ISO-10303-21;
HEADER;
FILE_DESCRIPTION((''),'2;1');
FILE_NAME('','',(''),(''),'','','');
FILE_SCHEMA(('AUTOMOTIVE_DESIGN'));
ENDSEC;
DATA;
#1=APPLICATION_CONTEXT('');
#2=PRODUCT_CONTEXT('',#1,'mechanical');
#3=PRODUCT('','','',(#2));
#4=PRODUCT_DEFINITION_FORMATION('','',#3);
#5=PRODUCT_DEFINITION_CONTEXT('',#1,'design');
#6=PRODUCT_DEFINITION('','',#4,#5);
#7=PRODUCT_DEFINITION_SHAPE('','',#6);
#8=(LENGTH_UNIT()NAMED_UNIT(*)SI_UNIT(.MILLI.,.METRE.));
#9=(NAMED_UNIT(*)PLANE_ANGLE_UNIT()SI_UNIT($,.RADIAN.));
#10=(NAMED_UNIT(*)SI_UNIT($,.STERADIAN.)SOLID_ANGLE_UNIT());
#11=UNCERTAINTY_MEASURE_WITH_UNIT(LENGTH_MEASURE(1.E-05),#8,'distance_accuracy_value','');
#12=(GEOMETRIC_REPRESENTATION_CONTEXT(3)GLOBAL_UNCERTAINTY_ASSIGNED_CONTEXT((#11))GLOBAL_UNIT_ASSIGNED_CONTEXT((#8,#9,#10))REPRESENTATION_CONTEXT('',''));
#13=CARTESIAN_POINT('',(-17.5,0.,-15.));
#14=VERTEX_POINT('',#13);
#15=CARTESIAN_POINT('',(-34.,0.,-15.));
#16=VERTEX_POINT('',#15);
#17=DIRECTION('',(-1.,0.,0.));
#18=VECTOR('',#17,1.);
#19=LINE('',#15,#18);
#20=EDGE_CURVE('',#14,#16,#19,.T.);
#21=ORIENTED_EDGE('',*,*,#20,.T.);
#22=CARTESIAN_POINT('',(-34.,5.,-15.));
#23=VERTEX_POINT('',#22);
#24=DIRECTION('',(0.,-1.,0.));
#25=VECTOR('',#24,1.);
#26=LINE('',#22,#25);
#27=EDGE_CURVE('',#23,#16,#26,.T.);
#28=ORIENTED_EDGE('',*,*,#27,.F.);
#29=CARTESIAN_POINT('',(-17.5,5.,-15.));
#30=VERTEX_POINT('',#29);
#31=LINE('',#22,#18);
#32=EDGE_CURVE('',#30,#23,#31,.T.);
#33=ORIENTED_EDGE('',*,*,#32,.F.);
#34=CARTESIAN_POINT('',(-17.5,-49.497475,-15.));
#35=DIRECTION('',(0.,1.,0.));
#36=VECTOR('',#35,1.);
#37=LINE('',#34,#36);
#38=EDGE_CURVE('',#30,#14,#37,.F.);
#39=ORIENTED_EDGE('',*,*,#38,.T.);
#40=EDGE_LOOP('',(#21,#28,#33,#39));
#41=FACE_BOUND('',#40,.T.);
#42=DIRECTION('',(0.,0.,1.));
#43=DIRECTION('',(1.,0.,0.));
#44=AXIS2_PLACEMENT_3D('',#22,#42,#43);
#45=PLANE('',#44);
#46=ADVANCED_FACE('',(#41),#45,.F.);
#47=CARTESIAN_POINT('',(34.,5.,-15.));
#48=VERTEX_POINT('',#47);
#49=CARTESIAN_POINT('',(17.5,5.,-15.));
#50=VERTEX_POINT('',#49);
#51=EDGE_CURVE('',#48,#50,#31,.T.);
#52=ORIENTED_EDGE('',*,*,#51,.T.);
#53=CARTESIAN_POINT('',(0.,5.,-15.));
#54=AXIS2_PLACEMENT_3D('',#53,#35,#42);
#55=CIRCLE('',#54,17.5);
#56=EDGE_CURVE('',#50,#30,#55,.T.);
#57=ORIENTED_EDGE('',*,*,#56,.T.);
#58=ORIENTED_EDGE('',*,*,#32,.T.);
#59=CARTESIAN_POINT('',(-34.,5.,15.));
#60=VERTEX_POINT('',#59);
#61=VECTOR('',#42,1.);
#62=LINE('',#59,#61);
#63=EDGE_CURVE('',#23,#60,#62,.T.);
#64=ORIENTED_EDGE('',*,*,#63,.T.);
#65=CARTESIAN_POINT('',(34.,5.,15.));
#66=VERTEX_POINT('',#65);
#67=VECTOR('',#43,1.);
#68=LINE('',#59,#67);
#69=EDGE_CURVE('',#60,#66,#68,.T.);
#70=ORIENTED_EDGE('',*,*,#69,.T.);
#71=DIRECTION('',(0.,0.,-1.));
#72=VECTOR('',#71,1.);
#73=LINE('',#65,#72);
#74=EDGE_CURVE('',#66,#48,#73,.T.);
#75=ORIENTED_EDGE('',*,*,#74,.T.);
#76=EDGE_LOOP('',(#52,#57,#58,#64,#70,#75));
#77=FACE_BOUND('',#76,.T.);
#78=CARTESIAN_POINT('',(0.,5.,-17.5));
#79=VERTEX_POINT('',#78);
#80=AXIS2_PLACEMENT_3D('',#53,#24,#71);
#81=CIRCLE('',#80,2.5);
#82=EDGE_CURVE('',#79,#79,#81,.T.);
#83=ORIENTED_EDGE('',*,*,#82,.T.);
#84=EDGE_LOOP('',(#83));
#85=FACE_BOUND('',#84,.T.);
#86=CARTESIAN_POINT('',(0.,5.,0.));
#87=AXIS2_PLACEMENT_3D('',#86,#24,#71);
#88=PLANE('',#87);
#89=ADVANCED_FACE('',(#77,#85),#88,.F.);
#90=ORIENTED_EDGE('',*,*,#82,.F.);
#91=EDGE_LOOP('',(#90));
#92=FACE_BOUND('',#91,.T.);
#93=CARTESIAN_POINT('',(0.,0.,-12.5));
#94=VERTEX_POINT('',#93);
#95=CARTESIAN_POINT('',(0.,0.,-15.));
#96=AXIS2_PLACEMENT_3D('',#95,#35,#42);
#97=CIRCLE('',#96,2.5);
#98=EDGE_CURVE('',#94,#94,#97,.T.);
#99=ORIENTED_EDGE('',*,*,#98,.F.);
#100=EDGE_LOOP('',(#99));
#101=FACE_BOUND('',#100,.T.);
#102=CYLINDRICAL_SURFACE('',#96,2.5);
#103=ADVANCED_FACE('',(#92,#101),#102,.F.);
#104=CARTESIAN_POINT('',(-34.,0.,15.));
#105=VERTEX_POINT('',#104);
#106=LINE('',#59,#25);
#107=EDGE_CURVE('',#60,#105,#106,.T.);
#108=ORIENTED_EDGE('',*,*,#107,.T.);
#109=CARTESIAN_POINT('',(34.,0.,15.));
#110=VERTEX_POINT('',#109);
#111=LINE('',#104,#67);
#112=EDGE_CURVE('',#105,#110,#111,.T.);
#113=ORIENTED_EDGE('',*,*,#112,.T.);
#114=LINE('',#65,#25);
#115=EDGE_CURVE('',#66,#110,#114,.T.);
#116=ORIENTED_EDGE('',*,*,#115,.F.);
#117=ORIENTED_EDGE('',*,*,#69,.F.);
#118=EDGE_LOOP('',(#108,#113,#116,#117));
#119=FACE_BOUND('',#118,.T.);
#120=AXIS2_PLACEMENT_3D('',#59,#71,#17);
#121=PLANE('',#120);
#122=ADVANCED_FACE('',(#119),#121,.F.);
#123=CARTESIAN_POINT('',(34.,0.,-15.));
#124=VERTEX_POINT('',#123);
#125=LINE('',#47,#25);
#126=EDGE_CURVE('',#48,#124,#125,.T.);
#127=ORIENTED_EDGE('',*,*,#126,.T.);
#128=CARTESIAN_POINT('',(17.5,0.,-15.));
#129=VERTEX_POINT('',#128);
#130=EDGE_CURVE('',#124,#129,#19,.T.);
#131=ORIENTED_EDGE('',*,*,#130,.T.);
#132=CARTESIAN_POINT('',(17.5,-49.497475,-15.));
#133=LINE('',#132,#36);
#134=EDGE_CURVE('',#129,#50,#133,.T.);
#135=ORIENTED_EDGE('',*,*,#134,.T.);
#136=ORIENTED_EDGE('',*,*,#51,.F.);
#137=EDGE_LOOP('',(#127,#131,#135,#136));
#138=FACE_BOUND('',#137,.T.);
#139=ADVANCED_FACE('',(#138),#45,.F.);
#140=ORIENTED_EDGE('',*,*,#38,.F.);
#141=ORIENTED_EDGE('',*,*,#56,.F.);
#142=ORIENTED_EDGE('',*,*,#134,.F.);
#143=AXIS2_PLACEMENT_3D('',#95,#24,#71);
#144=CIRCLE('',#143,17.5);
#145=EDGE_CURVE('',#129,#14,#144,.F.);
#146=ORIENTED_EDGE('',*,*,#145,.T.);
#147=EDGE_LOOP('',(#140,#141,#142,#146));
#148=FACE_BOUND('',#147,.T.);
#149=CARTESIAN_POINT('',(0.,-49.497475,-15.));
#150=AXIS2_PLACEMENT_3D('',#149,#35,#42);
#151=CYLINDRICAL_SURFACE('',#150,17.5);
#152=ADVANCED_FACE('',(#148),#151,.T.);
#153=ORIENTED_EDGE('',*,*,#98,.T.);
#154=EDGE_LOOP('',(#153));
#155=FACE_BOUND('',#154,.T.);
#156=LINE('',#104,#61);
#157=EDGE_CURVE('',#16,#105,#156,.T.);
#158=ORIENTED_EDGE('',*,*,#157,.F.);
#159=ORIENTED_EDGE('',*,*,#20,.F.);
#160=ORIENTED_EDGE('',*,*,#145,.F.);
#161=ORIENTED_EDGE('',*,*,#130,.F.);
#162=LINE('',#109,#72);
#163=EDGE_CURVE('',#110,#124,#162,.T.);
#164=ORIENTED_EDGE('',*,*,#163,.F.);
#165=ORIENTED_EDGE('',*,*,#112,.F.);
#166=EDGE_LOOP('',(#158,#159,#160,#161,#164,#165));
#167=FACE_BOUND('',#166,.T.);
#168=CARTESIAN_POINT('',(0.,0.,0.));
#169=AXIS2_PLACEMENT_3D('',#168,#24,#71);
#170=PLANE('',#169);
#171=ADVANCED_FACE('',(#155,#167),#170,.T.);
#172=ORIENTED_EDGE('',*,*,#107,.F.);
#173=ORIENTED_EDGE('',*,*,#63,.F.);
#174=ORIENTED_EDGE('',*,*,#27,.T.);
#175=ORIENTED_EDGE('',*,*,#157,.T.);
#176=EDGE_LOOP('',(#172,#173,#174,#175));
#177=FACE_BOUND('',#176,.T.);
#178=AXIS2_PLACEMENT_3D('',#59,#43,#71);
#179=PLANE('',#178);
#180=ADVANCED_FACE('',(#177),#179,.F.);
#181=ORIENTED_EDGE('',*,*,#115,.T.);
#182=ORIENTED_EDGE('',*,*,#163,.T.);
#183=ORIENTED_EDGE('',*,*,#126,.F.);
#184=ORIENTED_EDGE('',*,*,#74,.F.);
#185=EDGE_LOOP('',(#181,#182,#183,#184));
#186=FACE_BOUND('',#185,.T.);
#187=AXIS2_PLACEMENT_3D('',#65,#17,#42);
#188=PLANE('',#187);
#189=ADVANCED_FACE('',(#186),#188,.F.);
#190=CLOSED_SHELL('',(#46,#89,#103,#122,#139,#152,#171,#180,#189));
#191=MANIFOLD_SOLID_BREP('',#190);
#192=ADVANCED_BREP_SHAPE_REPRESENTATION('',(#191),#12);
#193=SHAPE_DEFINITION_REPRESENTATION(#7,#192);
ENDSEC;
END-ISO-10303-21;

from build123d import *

# Parameters (mm, degrees)
SKETCH1_W               = 68
SKETCH1_H               = 30
BOSS_EXTRUDE1_DEPTH     = 5
SKETCH2_R               = 17.5
BOSS_EXTRUDE2_DEPTH     = 5
SKETCH3_R               = 2.5
CUT_EXTRUDE1_DEPTH      = 1
CUT_EXTRUDE1_DEPTH_BACK = 6


with BuildPart() as part:
    # Sketch1 → Boss-Extrude1 (new body)
    with BuildSketch(Plane(origin=(0, 0, 0), x_dir=(1, 0, 0), z_dir=(0, 1, 0))):
        Rectangle(SKETCH1_W, SKETCH1_H)
    extrude(amount=BOSS_EXTRUDE1_DEPTH)

    # Sketch2 → Boss-Extrude2 (add)
    with BuildSketch(Plane(origin=(0, 5, 0), x_dir=(1, 0, 0), z_dir=(0, 1, 0))):
        with Locations((0, 15)):
            Circle(SKETCH2_R)
    extrude(amount=-BOSS_EXTRUDE2_DEPTH)

    # Sketch3 → Cut-Extrude1 (cut, two sides)
    with BuildSketch(Plane(origin=(0, 5, 0), x_dir=(1, 0, 0), z_dir=(0, 1, 0))) as cut_extrude1_sk:
        with Locations((0, 15)):
            Circle(SKETCH3_R)
    extrude(amount=CUT_EXTRUDE1_DEPTH, mode=Mode.SUBTRACT)
    extrude(cut_extrude1_sk.sketch, amount=-CUT_EXTRUDE1_DEPTH_BACK, mode=Mode.SUBTRACT)


solid = part.part
